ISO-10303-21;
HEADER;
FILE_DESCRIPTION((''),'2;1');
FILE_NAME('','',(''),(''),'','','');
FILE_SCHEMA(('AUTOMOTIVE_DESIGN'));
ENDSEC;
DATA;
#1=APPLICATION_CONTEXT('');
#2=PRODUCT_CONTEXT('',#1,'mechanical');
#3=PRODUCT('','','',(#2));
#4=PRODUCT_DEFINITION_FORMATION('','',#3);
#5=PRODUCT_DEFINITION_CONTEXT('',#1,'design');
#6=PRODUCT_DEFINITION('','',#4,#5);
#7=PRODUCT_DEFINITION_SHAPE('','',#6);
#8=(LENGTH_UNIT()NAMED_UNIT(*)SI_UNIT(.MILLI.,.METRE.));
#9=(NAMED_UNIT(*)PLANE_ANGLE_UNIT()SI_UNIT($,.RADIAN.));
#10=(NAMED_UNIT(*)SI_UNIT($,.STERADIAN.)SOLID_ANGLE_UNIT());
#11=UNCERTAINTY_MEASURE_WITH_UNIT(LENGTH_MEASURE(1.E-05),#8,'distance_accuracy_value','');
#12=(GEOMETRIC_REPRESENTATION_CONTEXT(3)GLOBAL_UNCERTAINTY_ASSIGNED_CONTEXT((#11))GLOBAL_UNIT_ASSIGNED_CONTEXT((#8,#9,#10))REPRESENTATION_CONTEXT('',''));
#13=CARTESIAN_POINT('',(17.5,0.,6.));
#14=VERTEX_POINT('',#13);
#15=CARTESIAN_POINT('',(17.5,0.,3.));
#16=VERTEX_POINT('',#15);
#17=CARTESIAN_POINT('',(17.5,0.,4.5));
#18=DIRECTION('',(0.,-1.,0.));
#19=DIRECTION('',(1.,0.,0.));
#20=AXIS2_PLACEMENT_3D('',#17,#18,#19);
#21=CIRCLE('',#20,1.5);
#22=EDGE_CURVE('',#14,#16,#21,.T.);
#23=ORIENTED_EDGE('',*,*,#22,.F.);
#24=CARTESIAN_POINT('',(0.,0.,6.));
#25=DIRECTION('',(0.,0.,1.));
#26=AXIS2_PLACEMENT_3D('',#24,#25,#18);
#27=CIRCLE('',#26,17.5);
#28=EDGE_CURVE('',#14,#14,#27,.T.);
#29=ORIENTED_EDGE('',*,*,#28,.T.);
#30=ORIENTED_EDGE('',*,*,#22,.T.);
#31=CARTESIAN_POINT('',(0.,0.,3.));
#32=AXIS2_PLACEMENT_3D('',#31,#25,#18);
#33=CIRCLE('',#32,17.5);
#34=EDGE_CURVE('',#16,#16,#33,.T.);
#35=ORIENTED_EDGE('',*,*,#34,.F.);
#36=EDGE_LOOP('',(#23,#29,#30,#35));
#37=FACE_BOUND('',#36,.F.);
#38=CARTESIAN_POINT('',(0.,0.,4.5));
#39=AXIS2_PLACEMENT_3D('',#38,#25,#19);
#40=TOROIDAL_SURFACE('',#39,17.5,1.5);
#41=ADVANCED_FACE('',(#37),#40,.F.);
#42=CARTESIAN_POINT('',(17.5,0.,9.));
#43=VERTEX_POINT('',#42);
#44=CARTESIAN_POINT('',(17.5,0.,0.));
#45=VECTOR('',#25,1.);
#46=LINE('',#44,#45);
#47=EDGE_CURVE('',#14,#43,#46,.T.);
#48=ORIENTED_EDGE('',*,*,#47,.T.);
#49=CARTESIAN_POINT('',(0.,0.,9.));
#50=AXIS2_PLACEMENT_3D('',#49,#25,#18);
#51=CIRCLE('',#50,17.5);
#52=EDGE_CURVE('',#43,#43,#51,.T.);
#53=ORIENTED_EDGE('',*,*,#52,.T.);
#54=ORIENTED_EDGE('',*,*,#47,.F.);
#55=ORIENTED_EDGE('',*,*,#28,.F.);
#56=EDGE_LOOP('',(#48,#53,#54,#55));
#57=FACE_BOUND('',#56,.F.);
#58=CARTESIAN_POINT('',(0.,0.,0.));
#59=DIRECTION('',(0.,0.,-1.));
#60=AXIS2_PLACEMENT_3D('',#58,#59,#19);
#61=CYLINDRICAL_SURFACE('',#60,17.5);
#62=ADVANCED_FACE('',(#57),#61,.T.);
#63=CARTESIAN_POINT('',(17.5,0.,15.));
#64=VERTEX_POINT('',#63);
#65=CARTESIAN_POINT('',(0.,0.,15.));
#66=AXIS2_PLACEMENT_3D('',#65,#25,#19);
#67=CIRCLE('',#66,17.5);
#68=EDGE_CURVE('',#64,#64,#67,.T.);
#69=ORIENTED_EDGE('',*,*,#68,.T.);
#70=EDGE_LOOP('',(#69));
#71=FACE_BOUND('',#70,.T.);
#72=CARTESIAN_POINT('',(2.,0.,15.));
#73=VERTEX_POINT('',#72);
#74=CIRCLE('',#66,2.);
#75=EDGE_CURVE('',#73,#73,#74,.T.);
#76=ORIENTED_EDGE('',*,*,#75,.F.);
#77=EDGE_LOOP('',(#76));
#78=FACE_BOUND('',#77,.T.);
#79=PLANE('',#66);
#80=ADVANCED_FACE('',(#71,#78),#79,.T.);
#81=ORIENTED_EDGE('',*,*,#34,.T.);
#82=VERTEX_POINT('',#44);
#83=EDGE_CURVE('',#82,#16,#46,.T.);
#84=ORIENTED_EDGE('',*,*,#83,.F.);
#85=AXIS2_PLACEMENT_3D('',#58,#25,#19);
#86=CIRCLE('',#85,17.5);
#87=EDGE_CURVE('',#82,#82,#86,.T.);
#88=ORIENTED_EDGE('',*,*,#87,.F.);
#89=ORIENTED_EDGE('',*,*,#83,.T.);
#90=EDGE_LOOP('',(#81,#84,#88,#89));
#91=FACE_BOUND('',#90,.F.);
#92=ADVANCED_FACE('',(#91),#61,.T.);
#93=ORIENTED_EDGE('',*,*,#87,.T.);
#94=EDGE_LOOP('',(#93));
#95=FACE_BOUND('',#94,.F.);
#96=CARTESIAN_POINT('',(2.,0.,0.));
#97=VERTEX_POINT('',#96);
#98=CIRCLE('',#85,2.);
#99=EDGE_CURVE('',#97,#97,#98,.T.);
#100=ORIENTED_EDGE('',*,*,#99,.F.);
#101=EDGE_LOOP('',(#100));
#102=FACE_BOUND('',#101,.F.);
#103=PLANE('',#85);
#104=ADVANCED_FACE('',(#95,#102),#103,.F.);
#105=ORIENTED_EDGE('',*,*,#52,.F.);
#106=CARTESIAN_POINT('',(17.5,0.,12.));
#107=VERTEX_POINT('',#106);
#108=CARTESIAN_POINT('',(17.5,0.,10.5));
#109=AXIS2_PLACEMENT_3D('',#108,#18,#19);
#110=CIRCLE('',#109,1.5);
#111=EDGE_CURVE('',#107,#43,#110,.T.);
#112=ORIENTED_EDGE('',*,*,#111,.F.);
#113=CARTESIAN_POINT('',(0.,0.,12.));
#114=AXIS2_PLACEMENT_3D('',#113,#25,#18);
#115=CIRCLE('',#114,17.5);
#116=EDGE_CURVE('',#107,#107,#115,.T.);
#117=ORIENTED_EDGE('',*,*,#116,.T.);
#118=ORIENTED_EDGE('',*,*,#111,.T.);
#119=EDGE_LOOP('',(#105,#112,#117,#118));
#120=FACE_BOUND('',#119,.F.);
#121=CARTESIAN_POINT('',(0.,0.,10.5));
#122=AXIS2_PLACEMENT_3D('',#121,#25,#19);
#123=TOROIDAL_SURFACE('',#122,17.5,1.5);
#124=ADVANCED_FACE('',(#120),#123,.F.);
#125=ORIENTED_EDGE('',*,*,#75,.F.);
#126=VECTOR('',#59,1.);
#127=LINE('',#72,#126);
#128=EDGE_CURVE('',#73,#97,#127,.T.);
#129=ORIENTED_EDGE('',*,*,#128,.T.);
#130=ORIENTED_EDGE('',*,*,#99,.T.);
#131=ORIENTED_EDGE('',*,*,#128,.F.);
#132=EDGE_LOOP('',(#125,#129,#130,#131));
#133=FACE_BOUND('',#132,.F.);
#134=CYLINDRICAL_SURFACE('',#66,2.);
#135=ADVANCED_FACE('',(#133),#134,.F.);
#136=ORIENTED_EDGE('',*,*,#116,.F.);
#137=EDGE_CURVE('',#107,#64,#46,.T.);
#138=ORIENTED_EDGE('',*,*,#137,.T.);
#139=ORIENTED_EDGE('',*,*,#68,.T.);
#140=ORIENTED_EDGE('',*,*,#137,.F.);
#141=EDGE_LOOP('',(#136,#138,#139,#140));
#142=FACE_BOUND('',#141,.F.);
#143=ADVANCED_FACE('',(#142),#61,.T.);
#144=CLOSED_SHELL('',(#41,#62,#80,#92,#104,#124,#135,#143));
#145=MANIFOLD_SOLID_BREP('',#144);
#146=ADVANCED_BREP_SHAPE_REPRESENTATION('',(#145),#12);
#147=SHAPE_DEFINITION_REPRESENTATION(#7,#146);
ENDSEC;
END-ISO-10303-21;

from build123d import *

# Parameters (mm, degrees)
TORUS001_R     = 1.5
TORUS_R        = 1.5
CYLINDER_R     = 17.5
CYLINDER_DEPTH = 15
SKETCH_R       = 2
POCKET_DEPTH   = 15.001


with BuildPart() as bottom_o_ring:
    # Torus001 → Torus001 (revolve)
    with BuildSketch(Plane(origin=(0, 0, 4.5), x_dir=(1, 0, 0), z_dir=(0, -1, 0))):
        with Locations((17.5, 0)):
            Circle(TORUS001_R)
    revolve(axis=Axis((0, 0, 4.5), (0, 0, 1)))


with BuildPart() as o_rings:
    # Torus → Torus (revolve)
    with BuildSketch(Plane(origin=(0, 0, 10.5), x_dir=(1, 0, 0), z_dir=(0, -1, 0))):
        with Locations((17.5, 0)):
            Circle(TORUS_R)
    revolve(axis=Axis((0, 0, 10.5), (0, 0, 1)))

    # Fusion: union bottom-o-ring
    add(bottom_o_ring.part)


with BuildPart() as drill_axle:
    # Cylinder → Cylinder (new body)
    with BuildSketch(Plane.XY):
        Circle(CYLINDER_R)
    extrude(amount=CYLINDER_DEPTH)

    # Cut: cut o-rings
    add(o_rings.part, mode=Mode.SUBTRACT)

    # Sketch → Pocket (cut, through all)
    with BuildSketch(Plane.XY.offset(15)):
        Circle(SKETCH_R)
    extrude(amount=-POCKET_DEPTH, mode=Mode.SUBTRACT)


solid = drill_axle.part
